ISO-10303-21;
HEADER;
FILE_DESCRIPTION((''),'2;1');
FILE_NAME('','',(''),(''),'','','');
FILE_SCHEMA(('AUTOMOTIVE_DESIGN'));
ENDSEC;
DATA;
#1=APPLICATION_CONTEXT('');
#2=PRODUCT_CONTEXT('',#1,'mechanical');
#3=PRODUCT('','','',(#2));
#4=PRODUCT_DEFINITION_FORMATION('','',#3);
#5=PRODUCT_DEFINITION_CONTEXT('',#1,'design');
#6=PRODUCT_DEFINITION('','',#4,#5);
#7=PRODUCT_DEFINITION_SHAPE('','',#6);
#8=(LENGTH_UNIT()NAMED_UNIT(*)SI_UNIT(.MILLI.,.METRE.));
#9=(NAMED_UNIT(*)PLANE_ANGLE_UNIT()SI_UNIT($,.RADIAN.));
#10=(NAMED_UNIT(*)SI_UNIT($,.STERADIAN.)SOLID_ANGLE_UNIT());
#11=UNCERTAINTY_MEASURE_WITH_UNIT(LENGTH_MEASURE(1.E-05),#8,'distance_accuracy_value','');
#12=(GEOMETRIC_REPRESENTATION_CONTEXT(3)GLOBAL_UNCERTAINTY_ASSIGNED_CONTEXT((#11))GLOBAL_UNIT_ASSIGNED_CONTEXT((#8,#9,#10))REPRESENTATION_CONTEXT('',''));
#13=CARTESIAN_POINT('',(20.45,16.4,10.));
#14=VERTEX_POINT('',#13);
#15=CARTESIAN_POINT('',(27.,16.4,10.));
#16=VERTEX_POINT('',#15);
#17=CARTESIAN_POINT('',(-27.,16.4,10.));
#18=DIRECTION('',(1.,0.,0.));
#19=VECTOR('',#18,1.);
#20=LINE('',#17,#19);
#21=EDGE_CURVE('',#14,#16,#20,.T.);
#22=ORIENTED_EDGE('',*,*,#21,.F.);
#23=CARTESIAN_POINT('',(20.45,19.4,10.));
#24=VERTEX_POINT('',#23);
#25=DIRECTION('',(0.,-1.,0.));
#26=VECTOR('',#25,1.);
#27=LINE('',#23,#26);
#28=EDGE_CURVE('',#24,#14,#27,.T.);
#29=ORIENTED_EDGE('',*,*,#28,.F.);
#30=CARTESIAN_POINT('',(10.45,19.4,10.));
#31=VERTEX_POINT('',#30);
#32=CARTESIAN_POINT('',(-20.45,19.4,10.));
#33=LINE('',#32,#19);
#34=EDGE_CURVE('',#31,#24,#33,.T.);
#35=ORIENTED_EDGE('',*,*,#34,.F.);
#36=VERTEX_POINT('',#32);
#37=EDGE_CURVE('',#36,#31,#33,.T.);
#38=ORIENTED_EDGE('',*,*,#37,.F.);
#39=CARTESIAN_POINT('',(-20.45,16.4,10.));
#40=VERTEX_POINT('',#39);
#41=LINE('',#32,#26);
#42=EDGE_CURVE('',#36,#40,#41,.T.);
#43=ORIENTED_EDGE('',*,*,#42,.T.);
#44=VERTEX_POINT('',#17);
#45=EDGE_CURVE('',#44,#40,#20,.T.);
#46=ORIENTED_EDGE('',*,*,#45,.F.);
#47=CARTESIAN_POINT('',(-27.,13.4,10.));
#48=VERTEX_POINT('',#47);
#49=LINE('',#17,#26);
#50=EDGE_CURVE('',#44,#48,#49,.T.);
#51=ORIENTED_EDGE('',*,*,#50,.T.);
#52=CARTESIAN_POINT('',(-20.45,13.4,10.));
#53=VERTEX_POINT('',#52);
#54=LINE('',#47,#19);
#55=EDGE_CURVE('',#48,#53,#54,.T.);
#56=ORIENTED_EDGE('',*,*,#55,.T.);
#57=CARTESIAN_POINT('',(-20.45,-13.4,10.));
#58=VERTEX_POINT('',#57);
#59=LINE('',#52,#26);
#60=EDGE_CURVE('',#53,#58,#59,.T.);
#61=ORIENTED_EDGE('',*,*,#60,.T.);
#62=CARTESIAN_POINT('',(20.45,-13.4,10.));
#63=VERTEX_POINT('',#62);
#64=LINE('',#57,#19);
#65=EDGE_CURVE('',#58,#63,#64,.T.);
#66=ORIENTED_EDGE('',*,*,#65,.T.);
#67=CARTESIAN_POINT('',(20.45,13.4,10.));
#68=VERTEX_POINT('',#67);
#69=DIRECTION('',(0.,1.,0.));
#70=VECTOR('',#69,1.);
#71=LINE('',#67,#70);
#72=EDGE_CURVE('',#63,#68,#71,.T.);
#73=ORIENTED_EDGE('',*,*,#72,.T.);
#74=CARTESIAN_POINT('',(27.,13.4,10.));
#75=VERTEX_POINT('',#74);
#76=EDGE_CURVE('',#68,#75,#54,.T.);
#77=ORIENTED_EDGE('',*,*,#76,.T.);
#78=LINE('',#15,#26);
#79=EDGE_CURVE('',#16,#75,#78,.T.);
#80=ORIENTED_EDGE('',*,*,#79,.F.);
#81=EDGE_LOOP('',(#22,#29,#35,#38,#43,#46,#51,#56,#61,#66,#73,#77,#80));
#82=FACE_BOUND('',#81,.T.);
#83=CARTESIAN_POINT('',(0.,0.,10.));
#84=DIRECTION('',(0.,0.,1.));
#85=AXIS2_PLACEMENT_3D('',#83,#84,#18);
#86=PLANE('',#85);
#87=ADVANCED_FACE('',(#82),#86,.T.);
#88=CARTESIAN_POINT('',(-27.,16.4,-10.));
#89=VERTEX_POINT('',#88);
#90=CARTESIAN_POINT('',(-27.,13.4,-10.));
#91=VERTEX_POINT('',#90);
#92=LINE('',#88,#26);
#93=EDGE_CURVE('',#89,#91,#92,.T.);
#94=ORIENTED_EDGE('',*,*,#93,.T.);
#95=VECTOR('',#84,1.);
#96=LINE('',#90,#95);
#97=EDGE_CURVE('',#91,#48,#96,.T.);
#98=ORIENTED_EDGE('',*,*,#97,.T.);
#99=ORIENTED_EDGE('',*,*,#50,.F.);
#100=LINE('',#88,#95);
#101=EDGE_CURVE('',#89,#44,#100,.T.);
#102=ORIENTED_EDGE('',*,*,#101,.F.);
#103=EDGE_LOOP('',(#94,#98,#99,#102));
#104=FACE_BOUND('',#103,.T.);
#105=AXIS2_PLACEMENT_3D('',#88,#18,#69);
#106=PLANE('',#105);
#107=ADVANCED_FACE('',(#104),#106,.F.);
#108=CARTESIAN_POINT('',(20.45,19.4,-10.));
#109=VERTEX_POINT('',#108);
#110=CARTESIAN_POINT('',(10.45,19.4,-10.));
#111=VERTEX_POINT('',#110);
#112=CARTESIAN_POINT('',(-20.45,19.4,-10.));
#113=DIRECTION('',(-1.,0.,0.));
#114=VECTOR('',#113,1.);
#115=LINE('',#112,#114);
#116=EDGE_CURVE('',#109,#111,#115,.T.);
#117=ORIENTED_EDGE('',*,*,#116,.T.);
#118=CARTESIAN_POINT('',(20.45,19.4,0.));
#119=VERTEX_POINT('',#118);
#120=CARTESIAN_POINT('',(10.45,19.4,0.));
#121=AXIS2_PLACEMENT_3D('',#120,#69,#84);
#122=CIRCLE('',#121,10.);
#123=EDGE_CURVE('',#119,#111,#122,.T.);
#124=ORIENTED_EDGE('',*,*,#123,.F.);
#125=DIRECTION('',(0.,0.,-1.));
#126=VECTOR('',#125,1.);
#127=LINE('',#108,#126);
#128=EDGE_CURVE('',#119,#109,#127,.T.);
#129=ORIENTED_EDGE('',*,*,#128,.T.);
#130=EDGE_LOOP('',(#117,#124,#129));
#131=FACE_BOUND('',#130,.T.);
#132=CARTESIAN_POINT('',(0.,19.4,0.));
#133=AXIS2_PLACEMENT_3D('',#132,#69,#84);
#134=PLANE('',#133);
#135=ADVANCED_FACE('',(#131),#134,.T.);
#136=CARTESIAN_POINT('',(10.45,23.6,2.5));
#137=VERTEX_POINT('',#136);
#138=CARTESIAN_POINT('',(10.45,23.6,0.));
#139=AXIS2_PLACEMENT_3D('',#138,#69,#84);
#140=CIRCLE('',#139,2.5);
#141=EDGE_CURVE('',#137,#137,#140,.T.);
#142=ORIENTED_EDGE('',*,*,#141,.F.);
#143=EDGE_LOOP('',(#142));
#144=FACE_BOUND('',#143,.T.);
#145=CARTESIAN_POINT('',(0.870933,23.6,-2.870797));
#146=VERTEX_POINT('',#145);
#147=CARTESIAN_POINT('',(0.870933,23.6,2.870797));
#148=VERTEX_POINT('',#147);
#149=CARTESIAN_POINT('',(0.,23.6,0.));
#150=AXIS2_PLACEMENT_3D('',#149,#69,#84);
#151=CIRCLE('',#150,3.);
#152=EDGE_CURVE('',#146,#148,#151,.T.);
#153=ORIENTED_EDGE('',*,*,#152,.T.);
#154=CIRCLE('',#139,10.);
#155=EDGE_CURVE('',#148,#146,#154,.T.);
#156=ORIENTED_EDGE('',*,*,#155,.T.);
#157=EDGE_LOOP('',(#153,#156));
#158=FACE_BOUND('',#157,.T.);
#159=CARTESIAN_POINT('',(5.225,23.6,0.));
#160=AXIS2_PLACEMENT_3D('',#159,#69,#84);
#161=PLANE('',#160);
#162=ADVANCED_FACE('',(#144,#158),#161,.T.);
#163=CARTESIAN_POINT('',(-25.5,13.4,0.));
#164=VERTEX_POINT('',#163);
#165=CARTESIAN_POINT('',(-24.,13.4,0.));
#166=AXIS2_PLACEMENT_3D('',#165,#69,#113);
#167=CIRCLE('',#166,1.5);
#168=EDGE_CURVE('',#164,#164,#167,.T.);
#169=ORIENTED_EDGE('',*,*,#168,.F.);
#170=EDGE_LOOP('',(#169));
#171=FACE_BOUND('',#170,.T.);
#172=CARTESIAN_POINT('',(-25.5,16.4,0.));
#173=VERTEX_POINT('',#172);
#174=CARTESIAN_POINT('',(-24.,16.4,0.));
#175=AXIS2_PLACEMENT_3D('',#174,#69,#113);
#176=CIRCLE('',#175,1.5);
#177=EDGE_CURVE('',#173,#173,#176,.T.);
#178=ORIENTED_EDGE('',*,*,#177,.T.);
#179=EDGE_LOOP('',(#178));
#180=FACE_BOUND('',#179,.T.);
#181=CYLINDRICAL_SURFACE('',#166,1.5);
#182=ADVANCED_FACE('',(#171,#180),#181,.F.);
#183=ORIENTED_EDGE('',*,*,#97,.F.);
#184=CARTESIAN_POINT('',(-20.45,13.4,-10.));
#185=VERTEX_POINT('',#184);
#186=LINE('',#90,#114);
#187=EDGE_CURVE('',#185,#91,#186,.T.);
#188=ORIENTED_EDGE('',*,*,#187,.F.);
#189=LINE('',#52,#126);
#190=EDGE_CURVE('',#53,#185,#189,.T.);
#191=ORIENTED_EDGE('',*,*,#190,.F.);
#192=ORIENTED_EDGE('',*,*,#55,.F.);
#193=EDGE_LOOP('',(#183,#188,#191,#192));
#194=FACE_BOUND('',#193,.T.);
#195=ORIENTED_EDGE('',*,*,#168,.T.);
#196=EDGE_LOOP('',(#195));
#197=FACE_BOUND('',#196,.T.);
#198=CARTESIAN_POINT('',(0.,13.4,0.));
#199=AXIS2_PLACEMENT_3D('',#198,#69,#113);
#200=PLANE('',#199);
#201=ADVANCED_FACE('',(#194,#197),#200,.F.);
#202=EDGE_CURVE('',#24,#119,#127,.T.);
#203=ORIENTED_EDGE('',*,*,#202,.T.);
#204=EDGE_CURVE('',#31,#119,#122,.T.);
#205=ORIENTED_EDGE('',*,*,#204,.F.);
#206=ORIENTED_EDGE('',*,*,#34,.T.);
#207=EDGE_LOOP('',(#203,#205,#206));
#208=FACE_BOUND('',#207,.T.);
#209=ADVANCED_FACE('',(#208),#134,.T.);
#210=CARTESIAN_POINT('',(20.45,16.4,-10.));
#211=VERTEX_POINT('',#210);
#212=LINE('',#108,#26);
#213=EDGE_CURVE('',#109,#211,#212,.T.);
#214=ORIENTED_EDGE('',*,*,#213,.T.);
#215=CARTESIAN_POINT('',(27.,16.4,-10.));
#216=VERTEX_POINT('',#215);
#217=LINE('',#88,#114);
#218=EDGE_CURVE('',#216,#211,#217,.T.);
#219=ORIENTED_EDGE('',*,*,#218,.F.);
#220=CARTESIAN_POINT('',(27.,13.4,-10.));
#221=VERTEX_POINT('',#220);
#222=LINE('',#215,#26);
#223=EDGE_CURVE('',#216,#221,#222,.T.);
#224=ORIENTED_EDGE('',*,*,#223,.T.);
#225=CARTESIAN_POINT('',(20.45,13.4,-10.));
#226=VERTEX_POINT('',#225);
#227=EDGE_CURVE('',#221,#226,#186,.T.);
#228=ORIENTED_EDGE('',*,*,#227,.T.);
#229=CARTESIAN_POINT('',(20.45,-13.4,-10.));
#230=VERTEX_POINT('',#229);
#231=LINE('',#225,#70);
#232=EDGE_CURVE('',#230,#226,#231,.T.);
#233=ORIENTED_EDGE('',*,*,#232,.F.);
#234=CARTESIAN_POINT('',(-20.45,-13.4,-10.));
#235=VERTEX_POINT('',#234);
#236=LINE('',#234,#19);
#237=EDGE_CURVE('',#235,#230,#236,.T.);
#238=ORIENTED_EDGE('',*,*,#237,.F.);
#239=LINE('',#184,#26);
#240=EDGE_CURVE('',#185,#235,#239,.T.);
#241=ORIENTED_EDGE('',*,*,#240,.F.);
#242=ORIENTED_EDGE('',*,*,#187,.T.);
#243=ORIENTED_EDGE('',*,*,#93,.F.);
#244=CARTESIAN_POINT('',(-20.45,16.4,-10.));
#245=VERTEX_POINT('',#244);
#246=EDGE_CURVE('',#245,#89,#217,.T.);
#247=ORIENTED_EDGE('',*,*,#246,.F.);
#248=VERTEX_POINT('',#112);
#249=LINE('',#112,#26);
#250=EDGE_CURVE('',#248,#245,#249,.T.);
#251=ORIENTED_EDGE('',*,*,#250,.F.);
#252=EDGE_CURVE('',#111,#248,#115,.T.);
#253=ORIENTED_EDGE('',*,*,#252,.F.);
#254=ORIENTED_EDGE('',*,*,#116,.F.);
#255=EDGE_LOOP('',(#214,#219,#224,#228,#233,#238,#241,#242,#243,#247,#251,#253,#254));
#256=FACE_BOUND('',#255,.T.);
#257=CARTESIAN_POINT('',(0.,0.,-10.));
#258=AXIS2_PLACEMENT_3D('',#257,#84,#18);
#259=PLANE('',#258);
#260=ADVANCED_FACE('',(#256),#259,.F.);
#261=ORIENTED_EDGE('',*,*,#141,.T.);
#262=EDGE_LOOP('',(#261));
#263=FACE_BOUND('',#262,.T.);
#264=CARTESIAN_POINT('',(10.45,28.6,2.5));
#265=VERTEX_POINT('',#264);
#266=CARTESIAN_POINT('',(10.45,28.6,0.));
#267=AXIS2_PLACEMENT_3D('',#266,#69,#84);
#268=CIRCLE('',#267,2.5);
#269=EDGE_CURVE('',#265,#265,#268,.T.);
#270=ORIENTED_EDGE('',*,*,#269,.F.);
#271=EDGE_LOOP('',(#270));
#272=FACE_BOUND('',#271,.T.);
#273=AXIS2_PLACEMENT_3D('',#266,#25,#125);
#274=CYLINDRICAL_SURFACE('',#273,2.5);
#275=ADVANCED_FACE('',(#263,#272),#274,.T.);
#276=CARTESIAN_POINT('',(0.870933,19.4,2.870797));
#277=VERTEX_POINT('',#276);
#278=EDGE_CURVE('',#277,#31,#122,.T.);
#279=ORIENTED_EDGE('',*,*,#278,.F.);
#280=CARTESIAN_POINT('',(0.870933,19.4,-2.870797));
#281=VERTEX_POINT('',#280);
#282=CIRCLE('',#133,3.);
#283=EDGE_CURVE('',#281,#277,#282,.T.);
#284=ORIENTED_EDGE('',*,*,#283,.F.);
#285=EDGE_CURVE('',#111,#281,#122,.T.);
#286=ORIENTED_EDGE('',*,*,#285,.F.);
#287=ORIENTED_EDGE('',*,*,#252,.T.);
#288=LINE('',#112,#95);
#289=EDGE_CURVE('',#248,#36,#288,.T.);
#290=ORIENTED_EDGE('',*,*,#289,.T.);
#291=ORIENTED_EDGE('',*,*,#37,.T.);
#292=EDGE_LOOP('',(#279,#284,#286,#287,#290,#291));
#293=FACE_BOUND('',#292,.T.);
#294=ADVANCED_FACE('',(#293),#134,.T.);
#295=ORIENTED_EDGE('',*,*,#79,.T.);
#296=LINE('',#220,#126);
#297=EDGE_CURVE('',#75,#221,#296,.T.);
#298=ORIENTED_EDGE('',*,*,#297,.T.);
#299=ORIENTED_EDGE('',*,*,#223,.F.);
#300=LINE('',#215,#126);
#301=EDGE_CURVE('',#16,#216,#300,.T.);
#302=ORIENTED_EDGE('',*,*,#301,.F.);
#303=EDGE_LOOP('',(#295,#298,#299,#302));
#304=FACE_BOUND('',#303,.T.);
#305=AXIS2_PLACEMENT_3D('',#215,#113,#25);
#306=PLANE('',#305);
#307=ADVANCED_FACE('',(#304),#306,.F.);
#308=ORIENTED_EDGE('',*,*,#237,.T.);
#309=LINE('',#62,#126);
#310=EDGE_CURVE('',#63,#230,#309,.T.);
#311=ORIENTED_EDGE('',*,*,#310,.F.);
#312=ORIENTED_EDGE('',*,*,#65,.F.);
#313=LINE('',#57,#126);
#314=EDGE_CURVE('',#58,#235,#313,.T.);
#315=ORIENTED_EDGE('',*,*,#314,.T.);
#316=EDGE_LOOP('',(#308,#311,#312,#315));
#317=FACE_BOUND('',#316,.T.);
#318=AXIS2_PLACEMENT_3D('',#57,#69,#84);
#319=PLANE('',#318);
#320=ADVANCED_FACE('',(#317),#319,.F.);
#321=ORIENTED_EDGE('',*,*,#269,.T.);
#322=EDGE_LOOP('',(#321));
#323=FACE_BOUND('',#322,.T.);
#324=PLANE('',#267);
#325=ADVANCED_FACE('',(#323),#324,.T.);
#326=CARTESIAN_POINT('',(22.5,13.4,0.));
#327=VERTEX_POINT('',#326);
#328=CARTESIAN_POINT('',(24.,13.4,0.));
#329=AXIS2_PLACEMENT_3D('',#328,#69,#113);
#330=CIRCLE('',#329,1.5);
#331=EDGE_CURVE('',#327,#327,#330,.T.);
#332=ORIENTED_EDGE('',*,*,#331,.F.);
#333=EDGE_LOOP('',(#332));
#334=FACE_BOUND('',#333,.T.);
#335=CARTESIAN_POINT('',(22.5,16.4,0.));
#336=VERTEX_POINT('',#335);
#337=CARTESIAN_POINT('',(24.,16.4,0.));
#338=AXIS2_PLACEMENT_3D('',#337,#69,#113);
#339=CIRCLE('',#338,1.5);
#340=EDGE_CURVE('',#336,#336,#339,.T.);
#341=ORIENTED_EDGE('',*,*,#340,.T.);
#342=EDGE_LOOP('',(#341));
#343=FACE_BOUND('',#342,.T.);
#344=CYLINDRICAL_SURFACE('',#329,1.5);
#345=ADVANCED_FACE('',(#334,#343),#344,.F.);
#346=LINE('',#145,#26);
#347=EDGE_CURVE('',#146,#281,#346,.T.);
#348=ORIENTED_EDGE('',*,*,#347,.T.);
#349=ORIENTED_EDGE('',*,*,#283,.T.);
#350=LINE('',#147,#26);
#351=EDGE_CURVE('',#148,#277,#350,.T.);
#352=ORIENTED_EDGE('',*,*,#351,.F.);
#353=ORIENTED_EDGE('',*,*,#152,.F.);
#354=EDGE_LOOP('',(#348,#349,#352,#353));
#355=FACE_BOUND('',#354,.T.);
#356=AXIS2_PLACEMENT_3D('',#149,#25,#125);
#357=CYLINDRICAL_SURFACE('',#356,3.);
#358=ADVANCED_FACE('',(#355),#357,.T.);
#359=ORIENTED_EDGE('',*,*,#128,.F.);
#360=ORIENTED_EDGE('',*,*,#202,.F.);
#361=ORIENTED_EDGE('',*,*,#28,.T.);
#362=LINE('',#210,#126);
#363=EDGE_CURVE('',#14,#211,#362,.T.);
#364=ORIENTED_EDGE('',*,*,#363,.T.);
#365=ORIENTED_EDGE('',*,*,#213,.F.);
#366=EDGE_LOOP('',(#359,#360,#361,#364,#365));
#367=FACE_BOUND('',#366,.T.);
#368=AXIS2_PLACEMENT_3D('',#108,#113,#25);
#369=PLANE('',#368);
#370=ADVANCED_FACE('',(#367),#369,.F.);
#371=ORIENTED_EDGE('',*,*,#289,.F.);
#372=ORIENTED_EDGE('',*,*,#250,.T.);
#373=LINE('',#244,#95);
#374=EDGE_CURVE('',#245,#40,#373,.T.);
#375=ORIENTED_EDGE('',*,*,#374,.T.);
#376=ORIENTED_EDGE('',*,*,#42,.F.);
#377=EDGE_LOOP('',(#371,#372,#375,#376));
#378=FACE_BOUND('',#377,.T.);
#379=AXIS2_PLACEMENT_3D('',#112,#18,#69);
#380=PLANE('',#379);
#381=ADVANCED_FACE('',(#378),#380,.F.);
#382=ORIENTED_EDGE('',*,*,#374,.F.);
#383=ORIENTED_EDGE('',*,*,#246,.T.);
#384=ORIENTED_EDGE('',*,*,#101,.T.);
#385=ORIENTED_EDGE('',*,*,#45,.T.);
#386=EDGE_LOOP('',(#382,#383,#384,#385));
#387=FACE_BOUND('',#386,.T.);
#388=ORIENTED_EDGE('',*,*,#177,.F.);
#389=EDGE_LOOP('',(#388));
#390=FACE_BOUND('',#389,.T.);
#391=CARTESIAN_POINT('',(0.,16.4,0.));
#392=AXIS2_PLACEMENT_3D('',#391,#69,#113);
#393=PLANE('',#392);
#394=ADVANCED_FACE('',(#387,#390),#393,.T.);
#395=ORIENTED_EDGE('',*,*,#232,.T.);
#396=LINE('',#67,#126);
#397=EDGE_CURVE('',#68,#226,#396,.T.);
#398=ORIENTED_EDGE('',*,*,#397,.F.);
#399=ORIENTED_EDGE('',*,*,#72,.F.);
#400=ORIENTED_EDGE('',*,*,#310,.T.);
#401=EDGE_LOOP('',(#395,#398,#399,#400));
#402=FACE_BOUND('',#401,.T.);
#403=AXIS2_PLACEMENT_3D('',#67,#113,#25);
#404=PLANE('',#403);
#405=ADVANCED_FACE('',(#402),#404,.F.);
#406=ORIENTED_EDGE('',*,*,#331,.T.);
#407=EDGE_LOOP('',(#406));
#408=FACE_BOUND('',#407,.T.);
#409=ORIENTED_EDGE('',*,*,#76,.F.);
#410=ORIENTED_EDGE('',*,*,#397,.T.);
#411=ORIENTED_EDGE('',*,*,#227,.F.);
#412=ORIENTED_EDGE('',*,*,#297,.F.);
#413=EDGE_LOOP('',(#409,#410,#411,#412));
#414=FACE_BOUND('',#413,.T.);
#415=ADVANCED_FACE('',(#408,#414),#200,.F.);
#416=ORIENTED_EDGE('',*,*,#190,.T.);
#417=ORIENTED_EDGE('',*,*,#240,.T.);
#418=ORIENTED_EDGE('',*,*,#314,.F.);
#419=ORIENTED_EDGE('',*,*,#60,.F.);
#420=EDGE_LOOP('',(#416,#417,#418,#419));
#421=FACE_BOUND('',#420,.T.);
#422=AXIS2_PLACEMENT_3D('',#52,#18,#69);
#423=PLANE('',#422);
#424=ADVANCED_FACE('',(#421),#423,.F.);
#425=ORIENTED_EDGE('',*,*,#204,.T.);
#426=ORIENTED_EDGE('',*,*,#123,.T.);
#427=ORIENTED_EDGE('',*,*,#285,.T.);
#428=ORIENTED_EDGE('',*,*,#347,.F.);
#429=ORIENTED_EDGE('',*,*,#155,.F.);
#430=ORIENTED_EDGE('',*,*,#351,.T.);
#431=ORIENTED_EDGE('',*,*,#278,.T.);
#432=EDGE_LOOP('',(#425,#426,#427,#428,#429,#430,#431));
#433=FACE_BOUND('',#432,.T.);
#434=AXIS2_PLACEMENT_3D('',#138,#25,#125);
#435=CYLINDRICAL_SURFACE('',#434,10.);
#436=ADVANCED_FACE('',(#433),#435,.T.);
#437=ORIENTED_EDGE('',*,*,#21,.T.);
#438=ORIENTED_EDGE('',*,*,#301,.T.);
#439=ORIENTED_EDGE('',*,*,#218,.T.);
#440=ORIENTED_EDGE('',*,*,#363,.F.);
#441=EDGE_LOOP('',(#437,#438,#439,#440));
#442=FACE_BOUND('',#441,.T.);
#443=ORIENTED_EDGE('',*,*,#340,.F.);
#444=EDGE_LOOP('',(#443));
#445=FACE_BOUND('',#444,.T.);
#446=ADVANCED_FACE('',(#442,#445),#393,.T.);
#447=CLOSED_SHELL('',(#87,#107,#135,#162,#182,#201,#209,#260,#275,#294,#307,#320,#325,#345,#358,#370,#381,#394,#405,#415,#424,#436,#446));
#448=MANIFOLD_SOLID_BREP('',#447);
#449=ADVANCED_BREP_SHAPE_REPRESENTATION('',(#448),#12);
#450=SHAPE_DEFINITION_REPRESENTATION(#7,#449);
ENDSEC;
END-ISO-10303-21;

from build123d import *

# Parameters (mm, degrees)
SKETCH1_W           = 40.9
SKETCH1_H           = 26.8
BOSS_EXTRUDE1_DEPTH = 10
SKETCH2_W           = 54
SKETCH2_H           = 20
BOSS_EXTRUDE2_DEPTH = 3
SKETCH3_R           = 1.5
CUT_EXTRUDE1_DEPTH  = 3
SKETCH4_W           = 40.9
SKETCH4_H           = 20
BOSS_EXTRUDE3_DEPTH = 3
BOSS_EXTRUDE4_DEPTH = 4.2
SKETCH6_R           = 2.5
BOSS_EXTRUDE5_DEPTH = 5


with BuildPart() as part:
    # Sketch1 → Boss-Extrude1 (new, symmetric)
    with BuildSketch(Plane.XY):
        Rectangle(SKETCH1_W, SKETCH1_H)
    extrude(amount=BOSS_EXTRUDE1_DEPTH, both=True)

    # Sketch2 → Boss-Extrude2 (add)
    with BuildSketch(Plane(origin=(0, 13.4, 0), x_dir=(1, 0, 0), z_dir=(0, 1, 0))):
        Rectangle(SKETCH2_W, SKETCH2_H)
    extrude(amount=BOSS_EXTRUDE2_DEPTH)

    # Sketch3 → Cut-Extrude1 (cut)
    with BuildSketch(Plane(origin=(0, 16.4, 0), x_dir=(1, 0, 0), z_dir=(0, 1, 0))):
        with Locations(Location((-24, 0, 0), (0, 0, 180))):
            Circle(SKETCH3_R)
        with Locations(Location((24, 0, 0), (0, 0, 180))):
            Circle(SKETCH3_R)
    extrude(amount=-CUT_EXTRUDE1_DEPTH, mode=Mode.SUBTRACT)

    # Sketch4 → Boss-Extrude3 (add)
    with BuildSketch(Plane(origin=(0, 16.4, 0), x_dir=(1, 0, 0), z_dir=(0, 1, 0))):
        Rectangle(SKETCH4_W, SKETCH4_H)
    extrude(amount=BOSS_EXTRUDE3_DEPTH)

    # Sketch5 → Boss-Extrude4 (add)
    with BuildSketch(Plane(origin=(0, 19.4, 0), x_dir=(1, 0, 0), z_dir=(0, 1, 0))):
        with BuildLine():
            ThreePointArc((0.870933014, -2.870797047), (20.45, 0), (0.870933014, 2.870797047))
            ThreePointArc((0.870933014, 2.870797047), (-3, 0), (0.870933014, -2.870797047))
        make_face()
    extrude(amount=BOSS_EXTRUDE4_DEPTH)

    # Sketch6 → Boss-Extrude5 (add)
    with BuildSketch(Plane(origin=(0, 23.6, 0), x_dir=(1, 0, 0), z_dir=(0, 1, 0))):
        with Locations(Location((10.45, 0, 0), (0, 0, 270))):
            Circle(SKETCH6_R)
    extrude(amount=BOSS_EXTRUDE5_DEPTH)


solid = part.part
